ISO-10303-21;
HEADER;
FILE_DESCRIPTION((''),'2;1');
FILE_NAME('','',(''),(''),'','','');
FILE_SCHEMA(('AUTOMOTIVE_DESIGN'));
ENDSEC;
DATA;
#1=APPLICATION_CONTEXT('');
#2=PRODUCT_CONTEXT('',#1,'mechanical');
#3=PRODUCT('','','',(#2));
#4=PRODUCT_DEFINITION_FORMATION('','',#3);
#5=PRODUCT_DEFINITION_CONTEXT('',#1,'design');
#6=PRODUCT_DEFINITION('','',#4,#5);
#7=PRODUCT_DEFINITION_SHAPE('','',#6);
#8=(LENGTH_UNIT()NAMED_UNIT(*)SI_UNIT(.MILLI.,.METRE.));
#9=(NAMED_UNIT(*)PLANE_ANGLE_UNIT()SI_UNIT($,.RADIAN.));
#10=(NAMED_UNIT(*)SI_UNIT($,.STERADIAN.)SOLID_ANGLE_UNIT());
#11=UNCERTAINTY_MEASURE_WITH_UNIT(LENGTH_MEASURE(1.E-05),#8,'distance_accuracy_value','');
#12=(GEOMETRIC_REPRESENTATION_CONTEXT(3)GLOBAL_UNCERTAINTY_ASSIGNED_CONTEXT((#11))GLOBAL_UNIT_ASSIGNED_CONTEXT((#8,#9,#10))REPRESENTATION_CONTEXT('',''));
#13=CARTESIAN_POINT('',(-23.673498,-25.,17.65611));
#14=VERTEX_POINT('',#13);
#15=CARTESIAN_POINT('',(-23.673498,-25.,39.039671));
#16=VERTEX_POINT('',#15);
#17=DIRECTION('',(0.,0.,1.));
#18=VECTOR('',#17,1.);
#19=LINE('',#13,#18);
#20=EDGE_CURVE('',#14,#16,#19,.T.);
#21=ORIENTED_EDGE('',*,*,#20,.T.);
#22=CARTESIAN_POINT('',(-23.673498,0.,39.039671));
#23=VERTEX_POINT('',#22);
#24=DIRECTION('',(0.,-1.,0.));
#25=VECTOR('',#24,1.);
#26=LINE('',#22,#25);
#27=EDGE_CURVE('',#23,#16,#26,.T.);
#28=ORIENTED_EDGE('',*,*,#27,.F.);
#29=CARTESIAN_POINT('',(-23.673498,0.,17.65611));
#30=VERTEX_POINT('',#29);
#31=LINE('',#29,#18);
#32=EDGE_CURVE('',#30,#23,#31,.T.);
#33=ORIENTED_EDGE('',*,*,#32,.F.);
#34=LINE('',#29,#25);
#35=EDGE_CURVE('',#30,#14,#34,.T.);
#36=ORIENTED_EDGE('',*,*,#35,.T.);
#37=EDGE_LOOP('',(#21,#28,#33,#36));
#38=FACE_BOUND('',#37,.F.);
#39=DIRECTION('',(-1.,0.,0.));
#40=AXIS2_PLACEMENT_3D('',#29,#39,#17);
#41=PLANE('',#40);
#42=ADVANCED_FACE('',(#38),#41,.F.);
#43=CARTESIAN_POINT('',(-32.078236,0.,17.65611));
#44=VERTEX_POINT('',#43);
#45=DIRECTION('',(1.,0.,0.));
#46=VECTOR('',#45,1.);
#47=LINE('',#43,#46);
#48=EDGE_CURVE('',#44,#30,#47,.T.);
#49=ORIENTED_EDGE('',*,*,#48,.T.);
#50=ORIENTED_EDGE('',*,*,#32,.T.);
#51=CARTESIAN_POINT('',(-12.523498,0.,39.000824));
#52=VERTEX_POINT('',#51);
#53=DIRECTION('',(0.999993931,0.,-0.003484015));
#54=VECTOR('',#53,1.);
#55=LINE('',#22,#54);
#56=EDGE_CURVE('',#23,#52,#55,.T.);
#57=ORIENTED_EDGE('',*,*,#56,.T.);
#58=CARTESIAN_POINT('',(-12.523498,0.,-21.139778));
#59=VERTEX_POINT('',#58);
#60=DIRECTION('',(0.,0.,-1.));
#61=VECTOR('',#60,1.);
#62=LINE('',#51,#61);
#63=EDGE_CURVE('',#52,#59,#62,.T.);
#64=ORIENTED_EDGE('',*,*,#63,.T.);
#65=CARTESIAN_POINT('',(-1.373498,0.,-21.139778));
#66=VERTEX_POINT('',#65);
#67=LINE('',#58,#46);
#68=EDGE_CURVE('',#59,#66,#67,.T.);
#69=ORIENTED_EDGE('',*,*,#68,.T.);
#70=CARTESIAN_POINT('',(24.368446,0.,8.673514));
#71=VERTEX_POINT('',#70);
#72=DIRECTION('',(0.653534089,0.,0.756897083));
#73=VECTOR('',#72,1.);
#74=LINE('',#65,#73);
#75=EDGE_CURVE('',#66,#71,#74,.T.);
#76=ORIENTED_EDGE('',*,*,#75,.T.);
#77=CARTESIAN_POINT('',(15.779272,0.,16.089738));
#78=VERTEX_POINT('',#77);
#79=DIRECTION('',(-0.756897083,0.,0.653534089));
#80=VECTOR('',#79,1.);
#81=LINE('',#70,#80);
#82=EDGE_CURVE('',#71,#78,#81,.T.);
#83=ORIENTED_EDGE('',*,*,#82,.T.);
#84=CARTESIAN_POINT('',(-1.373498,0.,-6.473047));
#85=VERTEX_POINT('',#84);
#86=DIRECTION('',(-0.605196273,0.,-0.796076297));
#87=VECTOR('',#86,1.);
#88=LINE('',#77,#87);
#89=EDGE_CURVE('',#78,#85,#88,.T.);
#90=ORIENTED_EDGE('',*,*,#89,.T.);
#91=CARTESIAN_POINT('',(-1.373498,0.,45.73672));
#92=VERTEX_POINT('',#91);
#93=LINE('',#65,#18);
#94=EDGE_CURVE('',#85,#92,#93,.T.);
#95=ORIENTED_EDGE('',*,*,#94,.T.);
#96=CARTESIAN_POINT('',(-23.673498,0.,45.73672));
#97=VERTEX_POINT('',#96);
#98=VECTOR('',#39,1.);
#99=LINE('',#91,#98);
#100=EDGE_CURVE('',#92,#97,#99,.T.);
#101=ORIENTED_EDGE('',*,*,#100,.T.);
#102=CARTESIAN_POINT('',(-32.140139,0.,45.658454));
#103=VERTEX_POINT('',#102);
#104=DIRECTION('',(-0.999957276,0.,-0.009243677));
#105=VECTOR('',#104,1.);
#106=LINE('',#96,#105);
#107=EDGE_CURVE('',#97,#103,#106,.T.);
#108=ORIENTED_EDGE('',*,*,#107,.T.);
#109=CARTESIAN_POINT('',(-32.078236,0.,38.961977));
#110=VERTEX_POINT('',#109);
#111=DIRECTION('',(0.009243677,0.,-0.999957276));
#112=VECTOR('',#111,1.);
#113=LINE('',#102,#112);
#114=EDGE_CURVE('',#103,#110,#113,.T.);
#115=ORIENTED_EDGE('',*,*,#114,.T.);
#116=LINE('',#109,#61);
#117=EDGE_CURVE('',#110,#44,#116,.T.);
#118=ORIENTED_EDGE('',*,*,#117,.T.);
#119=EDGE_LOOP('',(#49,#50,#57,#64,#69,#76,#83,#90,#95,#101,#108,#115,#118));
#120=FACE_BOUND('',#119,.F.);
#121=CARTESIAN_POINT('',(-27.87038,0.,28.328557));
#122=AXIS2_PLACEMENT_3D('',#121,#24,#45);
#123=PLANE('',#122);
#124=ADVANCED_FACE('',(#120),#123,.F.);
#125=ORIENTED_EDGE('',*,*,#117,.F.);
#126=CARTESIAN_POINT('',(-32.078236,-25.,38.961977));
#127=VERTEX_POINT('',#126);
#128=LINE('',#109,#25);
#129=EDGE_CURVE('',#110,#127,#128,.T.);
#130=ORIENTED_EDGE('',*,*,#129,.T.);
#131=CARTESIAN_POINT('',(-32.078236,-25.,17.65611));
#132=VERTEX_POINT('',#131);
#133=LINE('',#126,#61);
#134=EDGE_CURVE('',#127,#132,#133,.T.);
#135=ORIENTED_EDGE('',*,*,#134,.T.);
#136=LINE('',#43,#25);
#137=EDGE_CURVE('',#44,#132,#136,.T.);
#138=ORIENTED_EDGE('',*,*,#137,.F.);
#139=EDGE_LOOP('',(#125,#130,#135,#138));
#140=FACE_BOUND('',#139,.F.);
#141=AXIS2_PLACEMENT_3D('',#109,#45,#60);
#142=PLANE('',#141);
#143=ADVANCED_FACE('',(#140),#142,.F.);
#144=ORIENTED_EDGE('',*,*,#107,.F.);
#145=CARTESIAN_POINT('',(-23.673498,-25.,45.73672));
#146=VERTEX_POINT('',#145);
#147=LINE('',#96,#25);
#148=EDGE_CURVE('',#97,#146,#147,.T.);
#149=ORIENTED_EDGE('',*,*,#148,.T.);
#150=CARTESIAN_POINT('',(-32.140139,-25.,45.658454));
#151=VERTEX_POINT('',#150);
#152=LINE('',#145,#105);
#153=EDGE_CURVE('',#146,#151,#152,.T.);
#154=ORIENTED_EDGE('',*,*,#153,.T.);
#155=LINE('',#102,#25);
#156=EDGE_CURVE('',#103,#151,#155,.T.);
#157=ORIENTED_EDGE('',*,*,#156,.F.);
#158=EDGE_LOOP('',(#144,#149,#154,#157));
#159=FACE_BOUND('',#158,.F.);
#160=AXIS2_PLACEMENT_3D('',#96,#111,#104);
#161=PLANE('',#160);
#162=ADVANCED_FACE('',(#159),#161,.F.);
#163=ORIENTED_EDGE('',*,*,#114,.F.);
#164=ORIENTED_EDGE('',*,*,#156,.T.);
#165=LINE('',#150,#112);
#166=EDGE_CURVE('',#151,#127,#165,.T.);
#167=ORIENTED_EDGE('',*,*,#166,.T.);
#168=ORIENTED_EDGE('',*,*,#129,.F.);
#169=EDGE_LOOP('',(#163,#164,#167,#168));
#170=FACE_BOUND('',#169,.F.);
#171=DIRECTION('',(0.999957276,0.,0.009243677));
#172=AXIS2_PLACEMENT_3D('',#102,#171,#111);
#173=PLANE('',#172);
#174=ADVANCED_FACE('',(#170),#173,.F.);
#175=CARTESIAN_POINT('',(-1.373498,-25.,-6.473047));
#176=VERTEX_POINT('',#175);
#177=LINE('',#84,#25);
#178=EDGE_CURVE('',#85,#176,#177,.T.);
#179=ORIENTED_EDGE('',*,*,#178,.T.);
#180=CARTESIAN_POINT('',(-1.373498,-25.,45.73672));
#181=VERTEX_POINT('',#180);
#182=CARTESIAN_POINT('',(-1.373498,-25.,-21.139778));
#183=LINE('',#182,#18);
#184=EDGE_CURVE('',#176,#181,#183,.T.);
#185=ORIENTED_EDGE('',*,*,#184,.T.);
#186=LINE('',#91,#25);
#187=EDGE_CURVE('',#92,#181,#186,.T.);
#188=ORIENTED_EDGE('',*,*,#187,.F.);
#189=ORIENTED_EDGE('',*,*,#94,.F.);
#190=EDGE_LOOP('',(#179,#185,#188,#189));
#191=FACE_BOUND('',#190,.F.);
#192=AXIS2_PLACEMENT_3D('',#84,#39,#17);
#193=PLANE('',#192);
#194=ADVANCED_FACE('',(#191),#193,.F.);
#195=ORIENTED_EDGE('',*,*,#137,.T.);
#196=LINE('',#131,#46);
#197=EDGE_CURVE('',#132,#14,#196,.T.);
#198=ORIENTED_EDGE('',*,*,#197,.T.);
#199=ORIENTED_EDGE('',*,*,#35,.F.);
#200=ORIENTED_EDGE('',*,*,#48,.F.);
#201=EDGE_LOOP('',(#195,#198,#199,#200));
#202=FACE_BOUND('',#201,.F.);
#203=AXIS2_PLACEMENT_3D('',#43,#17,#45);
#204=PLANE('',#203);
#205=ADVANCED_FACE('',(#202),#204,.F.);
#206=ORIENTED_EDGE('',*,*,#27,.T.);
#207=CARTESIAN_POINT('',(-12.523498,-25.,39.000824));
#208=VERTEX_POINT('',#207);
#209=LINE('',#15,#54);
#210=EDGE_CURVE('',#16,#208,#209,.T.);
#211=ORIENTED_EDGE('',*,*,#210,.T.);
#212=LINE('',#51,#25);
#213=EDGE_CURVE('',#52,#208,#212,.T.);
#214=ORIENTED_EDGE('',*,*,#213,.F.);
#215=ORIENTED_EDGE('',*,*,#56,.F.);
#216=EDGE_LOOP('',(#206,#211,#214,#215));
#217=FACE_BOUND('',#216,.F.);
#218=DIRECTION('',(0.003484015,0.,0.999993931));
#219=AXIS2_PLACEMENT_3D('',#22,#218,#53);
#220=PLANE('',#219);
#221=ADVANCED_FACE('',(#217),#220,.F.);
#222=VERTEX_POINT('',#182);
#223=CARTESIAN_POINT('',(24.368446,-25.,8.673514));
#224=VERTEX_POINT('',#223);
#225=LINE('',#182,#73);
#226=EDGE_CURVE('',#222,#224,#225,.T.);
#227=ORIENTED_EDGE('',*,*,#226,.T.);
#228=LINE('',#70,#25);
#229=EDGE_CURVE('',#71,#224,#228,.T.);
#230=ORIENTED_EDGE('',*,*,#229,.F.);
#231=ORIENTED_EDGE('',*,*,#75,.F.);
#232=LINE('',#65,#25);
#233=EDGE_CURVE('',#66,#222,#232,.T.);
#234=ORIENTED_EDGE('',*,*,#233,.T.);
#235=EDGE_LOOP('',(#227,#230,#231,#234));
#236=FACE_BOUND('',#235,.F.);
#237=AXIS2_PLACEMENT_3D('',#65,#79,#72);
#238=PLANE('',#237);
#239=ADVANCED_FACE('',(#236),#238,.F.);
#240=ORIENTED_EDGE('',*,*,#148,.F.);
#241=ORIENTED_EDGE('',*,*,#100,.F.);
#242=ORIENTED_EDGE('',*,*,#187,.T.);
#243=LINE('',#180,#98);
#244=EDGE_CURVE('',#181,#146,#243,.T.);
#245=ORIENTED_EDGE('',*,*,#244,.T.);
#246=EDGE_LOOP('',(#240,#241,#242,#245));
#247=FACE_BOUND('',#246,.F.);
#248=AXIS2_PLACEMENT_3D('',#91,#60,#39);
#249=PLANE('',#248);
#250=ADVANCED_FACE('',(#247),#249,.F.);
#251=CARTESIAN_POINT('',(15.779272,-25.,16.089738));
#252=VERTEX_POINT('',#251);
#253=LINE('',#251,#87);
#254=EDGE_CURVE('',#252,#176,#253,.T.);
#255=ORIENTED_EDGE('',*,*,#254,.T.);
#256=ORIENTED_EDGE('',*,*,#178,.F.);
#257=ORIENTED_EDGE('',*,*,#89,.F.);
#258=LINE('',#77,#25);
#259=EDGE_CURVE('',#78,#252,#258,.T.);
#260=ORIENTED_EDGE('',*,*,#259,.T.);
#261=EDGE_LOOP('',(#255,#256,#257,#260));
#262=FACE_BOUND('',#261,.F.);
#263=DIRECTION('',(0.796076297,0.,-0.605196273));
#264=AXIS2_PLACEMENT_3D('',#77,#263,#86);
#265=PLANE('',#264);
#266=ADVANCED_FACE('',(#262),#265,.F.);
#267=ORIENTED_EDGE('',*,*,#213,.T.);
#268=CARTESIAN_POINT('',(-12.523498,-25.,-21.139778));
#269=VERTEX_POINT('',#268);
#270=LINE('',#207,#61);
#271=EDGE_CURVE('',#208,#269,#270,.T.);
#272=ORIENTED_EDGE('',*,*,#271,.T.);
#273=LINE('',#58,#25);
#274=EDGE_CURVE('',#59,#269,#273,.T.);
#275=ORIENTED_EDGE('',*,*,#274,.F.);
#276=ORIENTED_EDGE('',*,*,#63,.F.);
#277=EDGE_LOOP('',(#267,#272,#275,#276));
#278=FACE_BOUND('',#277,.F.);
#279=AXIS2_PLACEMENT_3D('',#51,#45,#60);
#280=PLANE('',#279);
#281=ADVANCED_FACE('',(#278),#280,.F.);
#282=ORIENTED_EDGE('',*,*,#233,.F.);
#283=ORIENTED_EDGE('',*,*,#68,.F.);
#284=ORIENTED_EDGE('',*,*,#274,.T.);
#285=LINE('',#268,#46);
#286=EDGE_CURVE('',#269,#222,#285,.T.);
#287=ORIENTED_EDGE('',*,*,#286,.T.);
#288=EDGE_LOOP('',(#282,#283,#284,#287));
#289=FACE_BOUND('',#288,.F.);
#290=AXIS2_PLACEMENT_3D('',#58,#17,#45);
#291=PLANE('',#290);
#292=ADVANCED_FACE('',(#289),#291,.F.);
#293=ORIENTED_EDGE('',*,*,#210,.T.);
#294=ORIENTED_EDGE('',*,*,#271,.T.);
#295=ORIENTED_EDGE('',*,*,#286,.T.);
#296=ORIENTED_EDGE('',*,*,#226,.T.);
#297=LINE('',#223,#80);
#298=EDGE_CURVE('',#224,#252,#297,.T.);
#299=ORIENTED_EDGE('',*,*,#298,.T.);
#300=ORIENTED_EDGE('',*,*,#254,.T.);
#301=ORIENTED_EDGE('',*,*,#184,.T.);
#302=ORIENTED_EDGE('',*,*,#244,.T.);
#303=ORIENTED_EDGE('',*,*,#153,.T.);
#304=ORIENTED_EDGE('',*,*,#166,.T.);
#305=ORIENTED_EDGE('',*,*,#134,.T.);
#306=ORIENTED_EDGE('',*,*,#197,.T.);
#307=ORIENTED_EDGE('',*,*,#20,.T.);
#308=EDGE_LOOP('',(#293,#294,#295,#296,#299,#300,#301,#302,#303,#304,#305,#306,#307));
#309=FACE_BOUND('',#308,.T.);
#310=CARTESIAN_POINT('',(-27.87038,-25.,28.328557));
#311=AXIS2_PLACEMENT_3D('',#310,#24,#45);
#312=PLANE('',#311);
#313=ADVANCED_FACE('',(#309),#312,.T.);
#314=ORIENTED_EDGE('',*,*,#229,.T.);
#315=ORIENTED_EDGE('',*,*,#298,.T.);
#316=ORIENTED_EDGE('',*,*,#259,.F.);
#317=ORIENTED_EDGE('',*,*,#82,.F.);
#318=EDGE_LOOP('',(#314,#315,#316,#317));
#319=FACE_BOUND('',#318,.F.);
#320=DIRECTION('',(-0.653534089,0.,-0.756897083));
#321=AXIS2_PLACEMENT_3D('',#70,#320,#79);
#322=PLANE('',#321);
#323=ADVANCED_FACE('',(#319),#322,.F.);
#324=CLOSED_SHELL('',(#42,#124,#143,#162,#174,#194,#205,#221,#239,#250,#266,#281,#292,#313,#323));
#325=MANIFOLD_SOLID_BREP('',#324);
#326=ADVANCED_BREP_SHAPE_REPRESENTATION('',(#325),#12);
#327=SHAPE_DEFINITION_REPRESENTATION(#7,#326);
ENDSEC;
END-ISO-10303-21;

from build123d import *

# Parameters (mm, degrees)
F1_DEPTH = 25


with BuildPart() as f1:
    # F0 (on Front) → F1 (new body)
    with BuildSketch(Plane.XZ):
        Polygon((-23.6734980222, 39.0396707756), (-32.0782363415, 38.9619767666), (-32.0782363415, 17.6561103577), (-23.6734980222, 17.6561103577), align=None)
        Polygon((-32.1401390579, 45.6584536185), (-32.0782363415, 38.9619767666), (-23.6734980222, 39.0396707756), (-12.5234980222, 39.0008237711), (-12.5234980222, 45.7367198607), (-23.6734980222, 45.7367198607), align=None)
        Polygon((-12.5234980222, 45.7367198607), (-12.5234980222, 39.0008237711), (-1.3734980222, 38.9619767666), align=None)
        Polygon((-1.3734980222, 38.9619767666), (-12.5234980222, 39.0008237711), (-12.5234980222, -21.1397777129), (-1.3734980222, -6.4730470867), align=None)
        Polygon((-12.5234980222, 45.7367198607), (-1.3734980222, 38.9619767666), (-1.3734980222, 45.7367198607), align=None)
        Polygon((-1.3734980222, -6.4730470867), (-12.5234980222, -21.1397777129), (-1.3734980222, -21.1397777129), align=None)
        Polygon((15.7792718965, 16.0897381949), (-1.3734980222, -6.4730470867), (-1.3734980222, -21.1397777129), (24.3684463203, 8.6735142395), align=None)
    extrude(amount=F1_DEPTH)


solid = f1.part
